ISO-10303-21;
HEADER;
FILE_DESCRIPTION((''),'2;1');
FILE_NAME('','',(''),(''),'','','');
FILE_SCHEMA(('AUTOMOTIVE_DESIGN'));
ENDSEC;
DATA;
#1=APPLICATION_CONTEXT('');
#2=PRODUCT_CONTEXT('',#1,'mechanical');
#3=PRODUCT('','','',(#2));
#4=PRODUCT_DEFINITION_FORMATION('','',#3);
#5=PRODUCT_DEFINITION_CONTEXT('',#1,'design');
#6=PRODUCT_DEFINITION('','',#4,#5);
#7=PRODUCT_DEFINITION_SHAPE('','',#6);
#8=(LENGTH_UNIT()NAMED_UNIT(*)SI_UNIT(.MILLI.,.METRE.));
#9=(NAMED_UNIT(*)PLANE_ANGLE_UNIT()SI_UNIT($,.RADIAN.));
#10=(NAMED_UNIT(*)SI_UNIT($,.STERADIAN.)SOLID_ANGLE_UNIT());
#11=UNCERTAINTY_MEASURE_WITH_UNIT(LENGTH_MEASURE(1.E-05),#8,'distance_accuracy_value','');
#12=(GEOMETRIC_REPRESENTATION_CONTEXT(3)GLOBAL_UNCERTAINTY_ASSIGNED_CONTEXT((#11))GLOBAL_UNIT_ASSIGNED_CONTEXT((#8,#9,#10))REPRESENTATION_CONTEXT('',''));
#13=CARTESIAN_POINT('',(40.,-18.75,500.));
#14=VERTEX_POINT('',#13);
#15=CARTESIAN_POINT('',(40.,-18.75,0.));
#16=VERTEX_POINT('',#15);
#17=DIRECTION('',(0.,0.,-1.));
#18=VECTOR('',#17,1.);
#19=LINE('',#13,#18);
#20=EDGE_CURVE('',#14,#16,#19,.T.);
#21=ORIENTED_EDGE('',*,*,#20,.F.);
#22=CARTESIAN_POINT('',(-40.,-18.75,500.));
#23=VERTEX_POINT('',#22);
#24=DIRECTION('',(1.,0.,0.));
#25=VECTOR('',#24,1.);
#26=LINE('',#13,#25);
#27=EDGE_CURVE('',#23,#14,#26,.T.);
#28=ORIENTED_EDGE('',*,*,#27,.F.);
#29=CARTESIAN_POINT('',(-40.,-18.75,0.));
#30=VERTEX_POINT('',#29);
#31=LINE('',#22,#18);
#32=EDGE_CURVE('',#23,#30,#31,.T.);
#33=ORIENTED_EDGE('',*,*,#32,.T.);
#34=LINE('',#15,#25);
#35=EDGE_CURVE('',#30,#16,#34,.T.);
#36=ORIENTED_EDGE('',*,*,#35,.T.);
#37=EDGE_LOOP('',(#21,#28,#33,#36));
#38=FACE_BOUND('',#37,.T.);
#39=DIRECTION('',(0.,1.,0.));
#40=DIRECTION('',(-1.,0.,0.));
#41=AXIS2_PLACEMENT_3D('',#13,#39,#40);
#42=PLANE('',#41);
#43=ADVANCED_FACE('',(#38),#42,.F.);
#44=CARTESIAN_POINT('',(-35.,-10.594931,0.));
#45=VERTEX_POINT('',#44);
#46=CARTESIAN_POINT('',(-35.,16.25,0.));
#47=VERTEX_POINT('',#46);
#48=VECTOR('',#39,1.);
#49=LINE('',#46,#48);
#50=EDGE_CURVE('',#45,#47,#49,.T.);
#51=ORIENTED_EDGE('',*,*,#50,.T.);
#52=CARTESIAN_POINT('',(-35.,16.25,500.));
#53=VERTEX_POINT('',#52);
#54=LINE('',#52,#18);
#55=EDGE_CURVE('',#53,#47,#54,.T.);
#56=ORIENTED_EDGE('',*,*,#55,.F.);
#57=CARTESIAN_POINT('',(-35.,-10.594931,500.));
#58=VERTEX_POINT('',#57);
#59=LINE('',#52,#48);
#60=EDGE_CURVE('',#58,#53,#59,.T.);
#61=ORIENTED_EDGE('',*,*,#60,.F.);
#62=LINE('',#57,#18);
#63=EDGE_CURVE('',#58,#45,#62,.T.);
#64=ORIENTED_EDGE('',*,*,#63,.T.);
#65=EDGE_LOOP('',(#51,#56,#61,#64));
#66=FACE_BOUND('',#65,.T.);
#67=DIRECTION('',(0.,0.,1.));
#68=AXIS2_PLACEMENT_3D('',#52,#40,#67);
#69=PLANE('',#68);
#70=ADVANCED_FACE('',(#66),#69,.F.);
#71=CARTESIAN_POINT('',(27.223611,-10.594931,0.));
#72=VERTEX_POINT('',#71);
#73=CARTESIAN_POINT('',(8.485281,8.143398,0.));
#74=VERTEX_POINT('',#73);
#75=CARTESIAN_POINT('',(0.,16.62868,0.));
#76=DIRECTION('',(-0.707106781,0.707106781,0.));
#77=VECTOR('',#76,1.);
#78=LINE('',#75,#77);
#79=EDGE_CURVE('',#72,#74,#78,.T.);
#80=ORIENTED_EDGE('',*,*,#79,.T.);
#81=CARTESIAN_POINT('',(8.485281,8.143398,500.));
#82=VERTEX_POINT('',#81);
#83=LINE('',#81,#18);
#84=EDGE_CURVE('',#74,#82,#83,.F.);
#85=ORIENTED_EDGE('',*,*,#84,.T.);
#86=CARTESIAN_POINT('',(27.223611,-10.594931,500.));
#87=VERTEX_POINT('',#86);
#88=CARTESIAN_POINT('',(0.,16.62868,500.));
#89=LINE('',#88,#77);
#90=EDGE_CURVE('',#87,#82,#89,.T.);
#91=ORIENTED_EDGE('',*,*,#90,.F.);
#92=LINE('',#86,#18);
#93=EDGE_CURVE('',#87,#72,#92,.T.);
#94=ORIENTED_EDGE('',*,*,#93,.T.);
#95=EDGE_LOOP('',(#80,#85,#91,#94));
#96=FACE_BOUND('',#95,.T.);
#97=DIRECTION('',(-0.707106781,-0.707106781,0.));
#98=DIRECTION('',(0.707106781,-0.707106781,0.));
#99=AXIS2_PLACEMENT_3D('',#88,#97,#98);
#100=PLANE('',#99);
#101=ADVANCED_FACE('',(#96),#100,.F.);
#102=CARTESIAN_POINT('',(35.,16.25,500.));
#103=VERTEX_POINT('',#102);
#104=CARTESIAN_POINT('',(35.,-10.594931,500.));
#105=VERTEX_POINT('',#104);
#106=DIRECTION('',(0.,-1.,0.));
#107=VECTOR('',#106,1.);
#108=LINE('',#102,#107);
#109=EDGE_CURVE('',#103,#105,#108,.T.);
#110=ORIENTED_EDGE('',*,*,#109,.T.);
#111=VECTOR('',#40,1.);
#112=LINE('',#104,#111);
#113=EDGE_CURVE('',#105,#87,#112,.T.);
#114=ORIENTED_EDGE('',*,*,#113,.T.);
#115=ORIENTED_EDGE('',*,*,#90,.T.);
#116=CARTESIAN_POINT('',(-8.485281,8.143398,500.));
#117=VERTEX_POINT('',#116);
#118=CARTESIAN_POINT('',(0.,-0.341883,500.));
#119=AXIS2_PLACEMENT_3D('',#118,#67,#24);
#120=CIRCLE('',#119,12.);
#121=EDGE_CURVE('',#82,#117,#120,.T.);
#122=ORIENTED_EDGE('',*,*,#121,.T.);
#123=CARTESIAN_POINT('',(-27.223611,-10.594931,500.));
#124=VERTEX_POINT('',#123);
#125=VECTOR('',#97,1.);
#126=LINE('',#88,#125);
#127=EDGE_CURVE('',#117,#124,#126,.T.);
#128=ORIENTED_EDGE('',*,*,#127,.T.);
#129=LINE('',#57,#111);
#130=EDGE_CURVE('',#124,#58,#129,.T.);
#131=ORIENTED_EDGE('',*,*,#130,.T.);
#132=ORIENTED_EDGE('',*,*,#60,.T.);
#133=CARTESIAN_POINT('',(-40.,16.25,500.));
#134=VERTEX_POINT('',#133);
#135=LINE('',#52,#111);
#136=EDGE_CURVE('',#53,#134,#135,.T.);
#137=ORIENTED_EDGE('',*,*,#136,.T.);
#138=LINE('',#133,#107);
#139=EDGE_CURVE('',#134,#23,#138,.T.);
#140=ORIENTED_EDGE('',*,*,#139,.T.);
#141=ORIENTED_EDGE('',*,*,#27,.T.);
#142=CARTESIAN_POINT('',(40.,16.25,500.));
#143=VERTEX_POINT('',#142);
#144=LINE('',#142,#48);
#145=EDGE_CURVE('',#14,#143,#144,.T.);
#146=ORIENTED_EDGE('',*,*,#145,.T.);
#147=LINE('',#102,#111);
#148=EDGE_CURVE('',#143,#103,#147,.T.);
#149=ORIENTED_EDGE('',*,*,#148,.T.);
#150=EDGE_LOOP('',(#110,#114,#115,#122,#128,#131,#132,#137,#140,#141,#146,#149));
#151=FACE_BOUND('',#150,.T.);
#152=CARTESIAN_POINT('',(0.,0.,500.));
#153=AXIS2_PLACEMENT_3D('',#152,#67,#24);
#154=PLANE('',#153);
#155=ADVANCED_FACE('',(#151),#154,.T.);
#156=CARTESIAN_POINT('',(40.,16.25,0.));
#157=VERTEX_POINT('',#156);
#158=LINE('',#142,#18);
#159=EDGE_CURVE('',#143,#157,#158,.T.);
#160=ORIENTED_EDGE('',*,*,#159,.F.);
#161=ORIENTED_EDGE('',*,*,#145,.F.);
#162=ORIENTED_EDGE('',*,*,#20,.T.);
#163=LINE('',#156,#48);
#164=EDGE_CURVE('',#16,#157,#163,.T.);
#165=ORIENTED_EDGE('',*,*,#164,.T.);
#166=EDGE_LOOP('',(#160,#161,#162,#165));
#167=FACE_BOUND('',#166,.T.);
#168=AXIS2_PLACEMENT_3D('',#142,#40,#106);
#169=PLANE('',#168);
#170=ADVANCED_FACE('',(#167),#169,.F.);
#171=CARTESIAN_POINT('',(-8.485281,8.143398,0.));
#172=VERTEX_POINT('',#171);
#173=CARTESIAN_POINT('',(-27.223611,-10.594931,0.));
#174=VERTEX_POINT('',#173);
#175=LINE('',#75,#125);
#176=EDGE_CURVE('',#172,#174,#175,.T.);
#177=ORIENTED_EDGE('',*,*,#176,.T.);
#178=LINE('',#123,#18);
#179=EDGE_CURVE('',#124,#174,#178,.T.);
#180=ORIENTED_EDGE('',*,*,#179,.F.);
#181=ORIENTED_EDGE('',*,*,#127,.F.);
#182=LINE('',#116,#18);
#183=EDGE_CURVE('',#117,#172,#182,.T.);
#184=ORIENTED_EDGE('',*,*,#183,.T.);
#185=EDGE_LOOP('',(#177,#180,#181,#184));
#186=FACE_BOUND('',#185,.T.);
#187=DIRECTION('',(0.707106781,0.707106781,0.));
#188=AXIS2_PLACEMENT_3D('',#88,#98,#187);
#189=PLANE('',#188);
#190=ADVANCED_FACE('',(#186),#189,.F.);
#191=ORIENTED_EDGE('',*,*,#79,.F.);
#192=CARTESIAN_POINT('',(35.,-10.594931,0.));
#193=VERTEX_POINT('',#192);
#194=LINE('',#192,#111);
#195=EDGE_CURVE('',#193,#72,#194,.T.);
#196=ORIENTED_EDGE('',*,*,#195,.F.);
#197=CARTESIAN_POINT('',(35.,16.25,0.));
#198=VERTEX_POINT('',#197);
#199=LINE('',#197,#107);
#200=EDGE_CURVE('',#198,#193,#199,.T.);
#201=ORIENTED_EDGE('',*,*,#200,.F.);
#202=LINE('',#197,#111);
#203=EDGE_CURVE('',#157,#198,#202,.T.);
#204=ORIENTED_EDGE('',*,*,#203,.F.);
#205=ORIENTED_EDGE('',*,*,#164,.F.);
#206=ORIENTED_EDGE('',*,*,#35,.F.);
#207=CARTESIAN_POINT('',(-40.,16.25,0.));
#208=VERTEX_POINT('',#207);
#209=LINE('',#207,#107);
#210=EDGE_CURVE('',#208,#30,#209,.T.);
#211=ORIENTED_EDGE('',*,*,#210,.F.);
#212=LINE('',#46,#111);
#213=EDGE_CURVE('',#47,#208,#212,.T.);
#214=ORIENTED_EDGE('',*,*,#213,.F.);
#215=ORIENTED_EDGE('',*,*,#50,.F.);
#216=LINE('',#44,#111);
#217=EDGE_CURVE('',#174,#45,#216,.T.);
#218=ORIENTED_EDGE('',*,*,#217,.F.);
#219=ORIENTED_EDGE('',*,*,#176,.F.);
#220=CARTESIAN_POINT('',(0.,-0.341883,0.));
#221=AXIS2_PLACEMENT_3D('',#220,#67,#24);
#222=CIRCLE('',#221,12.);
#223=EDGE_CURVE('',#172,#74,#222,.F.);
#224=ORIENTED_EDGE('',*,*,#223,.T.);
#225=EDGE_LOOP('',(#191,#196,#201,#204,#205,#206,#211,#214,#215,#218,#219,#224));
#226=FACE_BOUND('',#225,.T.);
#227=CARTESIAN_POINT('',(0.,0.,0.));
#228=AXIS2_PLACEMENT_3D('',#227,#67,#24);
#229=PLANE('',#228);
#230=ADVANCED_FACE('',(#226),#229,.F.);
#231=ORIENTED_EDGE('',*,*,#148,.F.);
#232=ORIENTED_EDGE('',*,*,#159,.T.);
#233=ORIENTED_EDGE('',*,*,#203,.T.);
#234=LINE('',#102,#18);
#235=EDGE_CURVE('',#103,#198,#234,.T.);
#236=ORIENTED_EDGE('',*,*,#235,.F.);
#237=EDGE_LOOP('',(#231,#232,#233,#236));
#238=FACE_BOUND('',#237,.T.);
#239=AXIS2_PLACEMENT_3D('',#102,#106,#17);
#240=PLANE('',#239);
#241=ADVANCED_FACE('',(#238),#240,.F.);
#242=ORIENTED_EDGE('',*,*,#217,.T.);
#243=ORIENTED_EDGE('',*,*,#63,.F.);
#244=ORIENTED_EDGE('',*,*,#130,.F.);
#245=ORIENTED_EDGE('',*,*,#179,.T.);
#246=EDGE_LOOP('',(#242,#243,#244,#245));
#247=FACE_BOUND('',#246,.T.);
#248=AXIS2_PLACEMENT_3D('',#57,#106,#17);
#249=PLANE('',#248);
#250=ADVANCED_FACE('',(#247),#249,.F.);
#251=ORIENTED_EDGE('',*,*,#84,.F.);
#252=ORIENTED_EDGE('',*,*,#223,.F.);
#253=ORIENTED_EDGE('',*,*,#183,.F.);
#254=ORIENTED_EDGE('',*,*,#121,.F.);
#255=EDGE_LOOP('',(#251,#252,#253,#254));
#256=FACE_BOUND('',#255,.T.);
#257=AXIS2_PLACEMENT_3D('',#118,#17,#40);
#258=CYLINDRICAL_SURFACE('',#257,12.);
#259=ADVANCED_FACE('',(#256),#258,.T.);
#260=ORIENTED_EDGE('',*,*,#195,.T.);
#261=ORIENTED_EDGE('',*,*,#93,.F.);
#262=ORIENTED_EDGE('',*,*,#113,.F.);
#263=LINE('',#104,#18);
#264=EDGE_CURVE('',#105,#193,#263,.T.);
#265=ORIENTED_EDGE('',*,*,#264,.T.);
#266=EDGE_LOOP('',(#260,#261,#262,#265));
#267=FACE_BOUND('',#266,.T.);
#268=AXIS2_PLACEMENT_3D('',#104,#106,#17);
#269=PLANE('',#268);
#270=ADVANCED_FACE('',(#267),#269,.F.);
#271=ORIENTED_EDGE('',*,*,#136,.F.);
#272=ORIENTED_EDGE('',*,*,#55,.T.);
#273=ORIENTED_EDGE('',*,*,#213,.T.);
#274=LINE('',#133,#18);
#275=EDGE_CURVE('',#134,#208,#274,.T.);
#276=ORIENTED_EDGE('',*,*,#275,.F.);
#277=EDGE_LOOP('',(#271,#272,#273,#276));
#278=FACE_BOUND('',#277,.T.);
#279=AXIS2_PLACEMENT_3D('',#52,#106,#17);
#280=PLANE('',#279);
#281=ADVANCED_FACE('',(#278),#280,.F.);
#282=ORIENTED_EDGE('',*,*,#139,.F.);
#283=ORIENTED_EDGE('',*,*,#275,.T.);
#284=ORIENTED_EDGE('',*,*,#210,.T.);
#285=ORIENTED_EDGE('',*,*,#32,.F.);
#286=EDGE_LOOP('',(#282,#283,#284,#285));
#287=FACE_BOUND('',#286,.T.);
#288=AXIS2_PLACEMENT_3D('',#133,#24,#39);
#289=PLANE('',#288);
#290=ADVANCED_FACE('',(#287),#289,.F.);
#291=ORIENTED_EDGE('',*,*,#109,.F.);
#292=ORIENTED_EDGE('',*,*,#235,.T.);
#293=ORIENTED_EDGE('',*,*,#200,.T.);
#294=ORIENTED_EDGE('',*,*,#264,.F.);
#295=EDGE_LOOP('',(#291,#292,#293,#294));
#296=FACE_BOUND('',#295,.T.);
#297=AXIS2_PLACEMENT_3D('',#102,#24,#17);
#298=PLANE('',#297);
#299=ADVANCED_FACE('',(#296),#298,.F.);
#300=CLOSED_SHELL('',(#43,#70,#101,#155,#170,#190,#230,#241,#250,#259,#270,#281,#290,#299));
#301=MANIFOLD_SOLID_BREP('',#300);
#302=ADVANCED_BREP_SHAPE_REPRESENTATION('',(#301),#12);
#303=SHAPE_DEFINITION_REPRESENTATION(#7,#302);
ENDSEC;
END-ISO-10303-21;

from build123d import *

# Parameters (mm, degrees)
BOSS_EXTRUDE1_DEPTH = 500
FILLET1_R           = 12


with BuildPart() as part:
    # Sketch1 → Boss-Extrude1 (new body)
    with BuildSketch(Plane.XY):
        Polygon((-40, 16.25), (-40, -18.75), (40, -18.75), (40, 16.25), (35, 16.25), (35, -10.594931419), (27.223611076, -10.594931419), (0, 16.628679656), (-27.223611076, -10.594931419), (-35, -10.594931419), (-35, 16.25), align=None)
    extrude(amount=BOSS_EXTRUDE1_DEPTH)

    # Fillet1
    fillet1_edges = [part.edges().sort_by_distance(p)[0] for p in [
        (0, 16.628679656, 250),
    ]]
    fillet(fillet1_edges, radius=FILLET1_R)


solid = part.part
